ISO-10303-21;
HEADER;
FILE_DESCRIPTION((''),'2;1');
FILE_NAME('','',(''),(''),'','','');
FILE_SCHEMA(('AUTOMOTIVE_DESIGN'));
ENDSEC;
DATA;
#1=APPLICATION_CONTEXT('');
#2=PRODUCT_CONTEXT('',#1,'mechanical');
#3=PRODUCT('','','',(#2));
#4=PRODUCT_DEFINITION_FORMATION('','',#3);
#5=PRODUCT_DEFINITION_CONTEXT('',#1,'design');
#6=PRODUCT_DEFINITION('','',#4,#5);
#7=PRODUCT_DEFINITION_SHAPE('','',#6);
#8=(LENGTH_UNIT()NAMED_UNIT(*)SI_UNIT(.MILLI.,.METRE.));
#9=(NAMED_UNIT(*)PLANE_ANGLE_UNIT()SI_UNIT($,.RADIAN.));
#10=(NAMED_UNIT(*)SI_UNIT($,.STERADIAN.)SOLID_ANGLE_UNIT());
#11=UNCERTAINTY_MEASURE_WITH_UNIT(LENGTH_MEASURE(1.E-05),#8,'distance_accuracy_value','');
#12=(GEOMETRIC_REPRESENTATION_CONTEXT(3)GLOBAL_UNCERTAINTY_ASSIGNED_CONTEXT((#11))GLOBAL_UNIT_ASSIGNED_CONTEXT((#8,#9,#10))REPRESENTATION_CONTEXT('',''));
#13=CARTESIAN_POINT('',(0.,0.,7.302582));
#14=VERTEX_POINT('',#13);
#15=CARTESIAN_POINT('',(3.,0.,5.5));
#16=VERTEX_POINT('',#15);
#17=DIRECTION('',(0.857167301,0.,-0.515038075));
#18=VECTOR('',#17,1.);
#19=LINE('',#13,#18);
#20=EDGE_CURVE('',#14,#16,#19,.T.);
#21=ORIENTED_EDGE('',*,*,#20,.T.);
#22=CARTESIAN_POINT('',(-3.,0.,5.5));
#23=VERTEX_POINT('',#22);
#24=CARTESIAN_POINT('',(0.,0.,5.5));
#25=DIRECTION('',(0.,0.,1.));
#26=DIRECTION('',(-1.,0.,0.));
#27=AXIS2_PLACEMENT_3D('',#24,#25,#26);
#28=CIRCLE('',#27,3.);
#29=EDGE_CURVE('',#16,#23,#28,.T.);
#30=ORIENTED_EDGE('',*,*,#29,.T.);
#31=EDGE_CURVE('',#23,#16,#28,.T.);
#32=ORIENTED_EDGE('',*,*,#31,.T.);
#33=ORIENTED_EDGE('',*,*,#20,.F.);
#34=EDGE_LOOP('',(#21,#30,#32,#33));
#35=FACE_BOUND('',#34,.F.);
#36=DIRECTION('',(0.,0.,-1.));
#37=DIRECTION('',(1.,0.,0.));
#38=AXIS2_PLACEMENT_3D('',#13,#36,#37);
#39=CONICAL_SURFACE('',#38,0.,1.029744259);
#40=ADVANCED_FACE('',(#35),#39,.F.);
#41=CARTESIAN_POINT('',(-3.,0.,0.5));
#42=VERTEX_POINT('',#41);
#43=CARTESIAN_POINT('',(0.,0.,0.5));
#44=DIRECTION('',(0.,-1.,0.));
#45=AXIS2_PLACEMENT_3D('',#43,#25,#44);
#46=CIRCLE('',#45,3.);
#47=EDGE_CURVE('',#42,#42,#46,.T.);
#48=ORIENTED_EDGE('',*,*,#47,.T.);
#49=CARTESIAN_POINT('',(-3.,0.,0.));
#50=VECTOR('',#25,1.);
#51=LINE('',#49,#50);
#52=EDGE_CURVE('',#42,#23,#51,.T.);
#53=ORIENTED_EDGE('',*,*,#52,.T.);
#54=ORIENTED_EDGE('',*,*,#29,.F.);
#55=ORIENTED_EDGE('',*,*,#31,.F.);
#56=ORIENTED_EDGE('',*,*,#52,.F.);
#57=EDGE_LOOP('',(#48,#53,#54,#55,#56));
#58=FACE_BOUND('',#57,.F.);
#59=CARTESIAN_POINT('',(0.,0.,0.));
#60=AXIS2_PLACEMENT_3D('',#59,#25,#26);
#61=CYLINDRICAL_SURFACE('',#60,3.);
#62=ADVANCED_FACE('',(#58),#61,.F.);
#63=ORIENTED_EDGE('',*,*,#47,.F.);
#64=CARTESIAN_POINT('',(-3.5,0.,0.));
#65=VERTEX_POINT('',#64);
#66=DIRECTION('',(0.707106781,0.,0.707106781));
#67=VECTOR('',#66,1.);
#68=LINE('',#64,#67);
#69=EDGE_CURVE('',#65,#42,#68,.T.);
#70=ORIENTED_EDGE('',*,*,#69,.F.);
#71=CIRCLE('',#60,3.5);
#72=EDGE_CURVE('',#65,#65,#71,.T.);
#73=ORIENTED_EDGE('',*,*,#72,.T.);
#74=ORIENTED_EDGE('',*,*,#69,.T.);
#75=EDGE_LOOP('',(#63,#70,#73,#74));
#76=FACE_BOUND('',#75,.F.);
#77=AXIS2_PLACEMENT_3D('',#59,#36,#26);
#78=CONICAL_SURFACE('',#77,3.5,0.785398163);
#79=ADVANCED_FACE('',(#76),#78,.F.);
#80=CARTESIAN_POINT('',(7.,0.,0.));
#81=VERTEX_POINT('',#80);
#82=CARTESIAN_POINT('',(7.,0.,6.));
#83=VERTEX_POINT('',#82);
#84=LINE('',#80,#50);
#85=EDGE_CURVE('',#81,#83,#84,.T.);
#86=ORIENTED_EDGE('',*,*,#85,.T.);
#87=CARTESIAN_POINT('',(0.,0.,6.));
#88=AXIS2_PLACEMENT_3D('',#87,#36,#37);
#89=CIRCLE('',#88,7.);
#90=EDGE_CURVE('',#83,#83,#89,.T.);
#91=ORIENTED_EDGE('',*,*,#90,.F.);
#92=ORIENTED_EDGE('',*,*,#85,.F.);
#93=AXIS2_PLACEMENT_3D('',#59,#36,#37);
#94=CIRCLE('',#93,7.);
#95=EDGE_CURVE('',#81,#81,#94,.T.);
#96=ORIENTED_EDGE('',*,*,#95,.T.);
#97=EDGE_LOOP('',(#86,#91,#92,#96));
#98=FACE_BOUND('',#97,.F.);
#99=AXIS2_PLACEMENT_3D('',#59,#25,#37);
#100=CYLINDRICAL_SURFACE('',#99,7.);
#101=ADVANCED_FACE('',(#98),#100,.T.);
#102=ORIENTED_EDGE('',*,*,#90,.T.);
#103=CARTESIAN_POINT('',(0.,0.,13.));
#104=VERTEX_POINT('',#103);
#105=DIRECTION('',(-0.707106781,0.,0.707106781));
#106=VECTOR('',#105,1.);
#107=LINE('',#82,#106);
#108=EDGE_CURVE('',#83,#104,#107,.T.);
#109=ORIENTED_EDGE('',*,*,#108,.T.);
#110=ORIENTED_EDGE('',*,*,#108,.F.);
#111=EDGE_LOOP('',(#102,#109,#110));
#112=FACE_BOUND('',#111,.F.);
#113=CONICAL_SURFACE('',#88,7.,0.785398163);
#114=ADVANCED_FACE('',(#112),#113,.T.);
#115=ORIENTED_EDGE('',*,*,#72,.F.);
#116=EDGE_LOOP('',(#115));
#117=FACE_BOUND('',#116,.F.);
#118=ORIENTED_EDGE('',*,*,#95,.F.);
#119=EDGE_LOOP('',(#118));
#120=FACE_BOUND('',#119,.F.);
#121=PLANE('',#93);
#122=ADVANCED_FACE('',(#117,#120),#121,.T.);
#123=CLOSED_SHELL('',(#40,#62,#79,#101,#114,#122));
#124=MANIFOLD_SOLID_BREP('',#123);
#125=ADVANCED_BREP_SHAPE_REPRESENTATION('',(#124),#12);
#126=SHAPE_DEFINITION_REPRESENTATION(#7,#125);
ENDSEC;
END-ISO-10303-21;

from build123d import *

# Parameters (mm, degrees)
F3_D           = 6
F3_DEPTH       = 5.5
F3_CSINK_D     = 7
F3_CSINK_ANGLE = 90
F3_TIP         = 1.8025818571


with BuildPart() as f1:
    # F0 (on Front) → F1 (revolve)
    with BuildSketch(Plane.XZ):
        Polygon((7, 6), (0, 13), (0, 0), (7, 0), align=None)
    revolve(axis=Axis((0, 0, 5.6743063033), (0, 0, -1)))

    # F3
    with Locations(Plane(origin=(0, 0, 0), x_dir=(1, 0, 0), z_dir=(0, 0, -1))):
        with Locations((0, 0)):
            CounterSinkHole(F3_D / 2, F3_CSINK_D / 2, depth=F3_DEPTH, counter_sink_angle=F3_CSINK_ANGLE)
            with Locations((0, 0, -(F3_DEPTH + F3_TIP / 2))):  # 118° drill point
                Cone(0, F3_D / 2, F3_TIP, mode=Mode.SUBTRACT)


solid = f1.part
